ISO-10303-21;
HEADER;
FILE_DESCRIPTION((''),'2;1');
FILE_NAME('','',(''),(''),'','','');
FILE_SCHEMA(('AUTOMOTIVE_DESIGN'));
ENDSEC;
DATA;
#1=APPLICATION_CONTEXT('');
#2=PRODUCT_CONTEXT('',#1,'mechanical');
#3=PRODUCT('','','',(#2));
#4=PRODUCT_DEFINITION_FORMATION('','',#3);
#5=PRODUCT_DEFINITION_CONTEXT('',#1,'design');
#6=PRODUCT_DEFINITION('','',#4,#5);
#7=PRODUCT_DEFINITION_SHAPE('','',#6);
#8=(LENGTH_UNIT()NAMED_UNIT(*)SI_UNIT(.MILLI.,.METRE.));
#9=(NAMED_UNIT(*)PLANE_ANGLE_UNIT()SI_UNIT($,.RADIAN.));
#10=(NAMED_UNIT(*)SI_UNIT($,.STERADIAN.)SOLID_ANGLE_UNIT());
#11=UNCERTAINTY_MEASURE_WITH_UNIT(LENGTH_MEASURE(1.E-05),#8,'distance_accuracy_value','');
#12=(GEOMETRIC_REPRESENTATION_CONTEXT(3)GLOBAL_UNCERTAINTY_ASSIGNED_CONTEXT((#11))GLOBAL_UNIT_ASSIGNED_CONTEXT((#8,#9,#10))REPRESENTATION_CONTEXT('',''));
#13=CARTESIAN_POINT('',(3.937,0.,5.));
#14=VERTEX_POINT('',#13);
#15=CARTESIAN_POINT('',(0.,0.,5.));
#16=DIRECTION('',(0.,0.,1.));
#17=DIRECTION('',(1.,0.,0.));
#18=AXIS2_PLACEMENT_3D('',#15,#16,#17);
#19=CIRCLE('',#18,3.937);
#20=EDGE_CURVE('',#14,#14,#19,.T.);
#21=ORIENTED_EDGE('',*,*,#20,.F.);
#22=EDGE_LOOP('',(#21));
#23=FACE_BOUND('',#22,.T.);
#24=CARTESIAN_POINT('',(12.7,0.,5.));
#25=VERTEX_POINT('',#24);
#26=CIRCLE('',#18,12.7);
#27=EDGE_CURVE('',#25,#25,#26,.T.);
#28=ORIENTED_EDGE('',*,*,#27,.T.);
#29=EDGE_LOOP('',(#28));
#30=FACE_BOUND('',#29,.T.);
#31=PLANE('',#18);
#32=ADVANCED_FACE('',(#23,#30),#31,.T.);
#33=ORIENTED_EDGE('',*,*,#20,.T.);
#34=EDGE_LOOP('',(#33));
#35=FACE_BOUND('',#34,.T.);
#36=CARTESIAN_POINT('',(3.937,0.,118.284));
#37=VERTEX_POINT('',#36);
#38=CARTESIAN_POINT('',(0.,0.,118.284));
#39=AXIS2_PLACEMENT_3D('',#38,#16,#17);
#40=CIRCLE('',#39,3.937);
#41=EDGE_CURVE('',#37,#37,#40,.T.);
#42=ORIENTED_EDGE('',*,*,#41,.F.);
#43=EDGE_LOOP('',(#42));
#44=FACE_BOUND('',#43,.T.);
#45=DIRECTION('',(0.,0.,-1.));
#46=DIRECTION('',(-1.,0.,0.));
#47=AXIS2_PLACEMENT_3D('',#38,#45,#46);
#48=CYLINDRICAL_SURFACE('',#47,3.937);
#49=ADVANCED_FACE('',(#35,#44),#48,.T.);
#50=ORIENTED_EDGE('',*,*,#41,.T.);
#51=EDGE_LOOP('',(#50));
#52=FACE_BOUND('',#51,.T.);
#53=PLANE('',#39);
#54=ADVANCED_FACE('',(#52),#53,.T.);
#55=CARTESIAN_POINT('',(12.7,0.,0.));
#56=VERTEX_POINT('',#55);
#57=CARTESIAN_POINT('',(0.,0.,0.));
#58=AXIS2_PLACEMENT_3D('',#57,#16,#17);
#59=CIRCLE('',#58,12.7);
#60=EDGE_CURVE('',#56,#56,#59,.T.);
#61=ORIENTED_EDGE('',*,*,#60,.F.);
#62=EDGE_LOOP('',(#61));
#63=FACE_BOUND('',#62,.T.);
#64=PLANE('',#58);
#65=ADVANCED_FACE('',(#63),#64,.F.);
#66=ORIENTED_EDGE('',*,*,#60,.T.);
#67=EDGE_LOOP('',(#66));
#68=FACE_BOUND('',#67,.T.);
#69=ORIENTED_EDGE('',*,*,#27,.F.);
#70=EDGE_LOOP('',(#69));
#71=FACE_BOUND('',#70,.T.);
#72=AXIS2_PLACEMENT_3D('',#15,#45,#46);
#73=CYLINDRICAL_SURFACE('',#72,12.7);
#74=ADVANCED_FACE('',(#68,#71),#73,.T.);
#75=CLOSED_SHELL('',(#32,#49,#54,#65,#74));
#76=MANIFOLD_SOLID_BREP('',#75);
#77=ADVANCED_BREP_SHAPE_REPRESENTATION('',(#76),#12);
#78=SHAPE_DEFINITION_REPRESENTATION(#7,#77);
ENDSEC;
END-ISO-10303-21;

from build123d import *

# Parameters (mm, degrees)
SKETCH1_R           = 12.7
BOSS_EXTRUDE1_DEPTH = 5
SKETCH2_R           = 3.937
BOSS_EXTRUDE3_DEPTH = 113.284


with BuildPart() as part:
    # Sketch1 → Boss-Extrude1 (new body)
    with BuildSketch(Plane.XY):
        Circle(SKETCH1_R)
    extrude(amount=BOSS_EXTRUDE1_DEPTH)

    # Sketch2 → Boss-Extrude3 (add)
    with BuildSketch(Plane.XY.offset(5)):
        Circle(SKETCH2_R)
    extrude(amount=BOSS_EXTRUDE3_DEPTH)


solid = part.part
